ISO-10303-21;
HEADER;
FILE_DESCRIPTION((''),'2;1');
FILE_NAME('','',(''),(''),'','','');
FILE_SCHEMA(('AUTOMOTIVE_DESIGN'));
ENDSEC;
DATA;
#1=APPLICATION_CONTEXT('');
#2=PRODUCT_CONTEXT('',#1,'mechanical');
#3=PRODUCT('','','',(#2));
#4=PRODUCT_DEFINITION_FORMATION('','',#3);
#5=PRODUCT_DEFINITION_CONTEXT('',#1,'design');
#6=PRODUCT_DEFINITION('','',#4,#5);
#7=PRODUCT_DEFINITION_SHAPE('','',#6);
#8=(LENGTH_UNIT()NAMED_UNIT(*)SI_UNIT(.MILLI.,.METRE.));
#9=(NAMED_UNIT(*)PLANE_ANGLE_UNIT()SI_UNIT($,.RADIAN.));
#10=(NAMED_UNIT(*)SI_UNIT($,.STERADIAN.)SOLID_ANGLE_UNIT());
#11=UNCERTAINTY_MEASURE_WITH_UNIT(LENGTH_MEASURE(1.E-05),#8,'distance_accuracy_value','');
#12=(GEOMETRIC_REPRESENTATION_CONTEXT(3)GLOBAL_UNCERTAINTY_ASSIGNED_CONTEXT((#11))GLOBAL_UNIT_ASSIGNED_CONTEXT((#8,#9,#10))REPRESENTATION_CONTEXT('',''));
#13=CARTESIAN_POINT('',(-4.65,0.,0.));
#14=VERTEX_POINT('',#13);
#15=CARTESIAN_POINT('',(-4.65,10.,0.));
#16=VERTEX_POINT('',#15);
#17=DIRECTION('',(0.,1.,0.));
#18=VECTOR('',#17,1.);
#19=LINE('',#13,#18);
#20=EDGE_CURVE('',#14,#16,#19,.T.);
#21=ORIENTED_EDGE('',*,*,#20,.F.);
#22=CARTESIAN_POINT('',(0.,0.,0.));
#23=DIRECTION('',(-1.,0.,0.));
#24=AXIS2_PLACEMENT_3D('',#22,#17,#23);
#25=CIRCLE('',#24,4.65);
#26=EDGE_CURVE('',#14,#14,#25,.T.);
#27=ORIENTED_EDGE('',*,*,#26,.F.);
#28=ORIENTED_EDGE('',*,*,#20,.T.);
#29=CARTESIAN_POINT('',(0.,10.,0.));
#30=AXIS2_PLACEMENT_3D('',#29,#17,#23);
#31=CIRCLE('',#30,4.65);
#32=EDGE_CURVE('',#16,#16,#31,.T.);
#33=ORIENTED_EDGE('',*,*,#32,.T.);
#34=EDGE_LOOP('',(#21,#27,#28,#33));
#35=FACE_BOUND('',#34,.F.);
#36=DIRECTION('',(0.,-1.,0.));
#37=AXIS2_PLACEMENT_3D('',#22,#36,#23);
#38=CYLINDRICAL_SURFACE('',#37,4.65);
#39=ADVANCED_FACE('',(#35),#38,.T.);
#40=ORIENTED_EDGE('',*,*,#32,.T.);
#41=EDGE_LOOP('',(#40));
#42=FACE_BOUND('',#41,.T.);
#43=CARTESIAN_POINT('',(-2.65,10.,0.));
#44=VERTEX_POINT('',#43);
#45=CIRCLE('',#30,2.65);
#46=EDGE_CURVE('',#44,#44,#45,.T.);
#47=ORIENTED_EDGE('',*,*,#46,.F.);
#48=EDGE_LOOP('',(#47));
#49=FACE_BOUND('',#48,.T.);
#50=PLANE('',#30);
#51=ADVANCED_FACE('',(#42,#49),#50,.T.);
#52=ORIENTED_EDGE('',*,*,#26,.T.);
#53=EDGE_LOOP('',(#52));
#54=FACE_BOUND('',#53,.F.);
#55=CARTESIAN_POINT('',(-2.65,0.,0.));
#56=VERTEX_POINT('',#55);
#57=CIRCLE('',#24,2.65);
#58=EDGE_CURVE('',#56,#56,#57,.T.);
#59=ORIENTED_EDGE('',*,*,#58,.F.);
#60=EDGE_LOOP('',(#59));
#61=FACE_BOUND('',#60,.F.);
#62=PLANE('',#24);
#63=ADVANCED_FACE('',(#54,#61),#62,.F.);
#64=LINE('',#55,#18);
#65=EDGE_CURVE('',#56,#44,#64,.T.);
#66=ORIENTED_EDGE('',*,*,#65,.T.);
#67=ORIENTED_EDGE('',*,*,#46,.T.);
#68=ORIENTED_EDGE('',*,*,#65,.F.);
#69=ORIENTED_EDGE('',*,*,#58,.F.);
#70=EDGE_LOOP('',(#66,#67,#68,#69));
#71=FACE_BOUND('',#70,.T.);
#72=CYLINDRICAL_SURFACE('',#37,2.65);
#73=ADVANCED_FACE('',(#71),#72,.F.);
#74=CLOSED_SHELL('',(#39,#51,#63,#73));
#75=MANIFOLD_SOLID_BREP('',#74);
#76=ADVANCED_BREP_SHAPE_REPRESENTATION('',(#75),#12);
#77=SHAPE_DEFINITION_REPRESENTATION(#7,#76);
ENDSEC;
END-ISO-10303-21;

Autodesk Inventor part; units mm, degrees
ref_plane "YZ Plane" through (0, 0, 0) normal (1, 0, 0) x (0, 1, 0)
ref_plane "XZ Plane" through (0, 0, 0) normal (0, 1, 0) x (-1, 0, 0)
ref_plane "XY Plane" through (0, 0, 0) normal (0, 0, 1) x (1, 0, 0)
sketch "Sketch1" plane through (0, 0, 0) normal (0, 1, 0) x (-1, 0, 0)
  circle A0 centre (0, 0) radius 2.65
  circle A1 centre (0, 0) radius 4.65
  dimension "d0" = 5.3
  dimension "d1" = 2
extrude "Extrusion1" add sketch "Sketch1" along normal blind 10
properties part number "Prueba_Eje_Motor_1"
